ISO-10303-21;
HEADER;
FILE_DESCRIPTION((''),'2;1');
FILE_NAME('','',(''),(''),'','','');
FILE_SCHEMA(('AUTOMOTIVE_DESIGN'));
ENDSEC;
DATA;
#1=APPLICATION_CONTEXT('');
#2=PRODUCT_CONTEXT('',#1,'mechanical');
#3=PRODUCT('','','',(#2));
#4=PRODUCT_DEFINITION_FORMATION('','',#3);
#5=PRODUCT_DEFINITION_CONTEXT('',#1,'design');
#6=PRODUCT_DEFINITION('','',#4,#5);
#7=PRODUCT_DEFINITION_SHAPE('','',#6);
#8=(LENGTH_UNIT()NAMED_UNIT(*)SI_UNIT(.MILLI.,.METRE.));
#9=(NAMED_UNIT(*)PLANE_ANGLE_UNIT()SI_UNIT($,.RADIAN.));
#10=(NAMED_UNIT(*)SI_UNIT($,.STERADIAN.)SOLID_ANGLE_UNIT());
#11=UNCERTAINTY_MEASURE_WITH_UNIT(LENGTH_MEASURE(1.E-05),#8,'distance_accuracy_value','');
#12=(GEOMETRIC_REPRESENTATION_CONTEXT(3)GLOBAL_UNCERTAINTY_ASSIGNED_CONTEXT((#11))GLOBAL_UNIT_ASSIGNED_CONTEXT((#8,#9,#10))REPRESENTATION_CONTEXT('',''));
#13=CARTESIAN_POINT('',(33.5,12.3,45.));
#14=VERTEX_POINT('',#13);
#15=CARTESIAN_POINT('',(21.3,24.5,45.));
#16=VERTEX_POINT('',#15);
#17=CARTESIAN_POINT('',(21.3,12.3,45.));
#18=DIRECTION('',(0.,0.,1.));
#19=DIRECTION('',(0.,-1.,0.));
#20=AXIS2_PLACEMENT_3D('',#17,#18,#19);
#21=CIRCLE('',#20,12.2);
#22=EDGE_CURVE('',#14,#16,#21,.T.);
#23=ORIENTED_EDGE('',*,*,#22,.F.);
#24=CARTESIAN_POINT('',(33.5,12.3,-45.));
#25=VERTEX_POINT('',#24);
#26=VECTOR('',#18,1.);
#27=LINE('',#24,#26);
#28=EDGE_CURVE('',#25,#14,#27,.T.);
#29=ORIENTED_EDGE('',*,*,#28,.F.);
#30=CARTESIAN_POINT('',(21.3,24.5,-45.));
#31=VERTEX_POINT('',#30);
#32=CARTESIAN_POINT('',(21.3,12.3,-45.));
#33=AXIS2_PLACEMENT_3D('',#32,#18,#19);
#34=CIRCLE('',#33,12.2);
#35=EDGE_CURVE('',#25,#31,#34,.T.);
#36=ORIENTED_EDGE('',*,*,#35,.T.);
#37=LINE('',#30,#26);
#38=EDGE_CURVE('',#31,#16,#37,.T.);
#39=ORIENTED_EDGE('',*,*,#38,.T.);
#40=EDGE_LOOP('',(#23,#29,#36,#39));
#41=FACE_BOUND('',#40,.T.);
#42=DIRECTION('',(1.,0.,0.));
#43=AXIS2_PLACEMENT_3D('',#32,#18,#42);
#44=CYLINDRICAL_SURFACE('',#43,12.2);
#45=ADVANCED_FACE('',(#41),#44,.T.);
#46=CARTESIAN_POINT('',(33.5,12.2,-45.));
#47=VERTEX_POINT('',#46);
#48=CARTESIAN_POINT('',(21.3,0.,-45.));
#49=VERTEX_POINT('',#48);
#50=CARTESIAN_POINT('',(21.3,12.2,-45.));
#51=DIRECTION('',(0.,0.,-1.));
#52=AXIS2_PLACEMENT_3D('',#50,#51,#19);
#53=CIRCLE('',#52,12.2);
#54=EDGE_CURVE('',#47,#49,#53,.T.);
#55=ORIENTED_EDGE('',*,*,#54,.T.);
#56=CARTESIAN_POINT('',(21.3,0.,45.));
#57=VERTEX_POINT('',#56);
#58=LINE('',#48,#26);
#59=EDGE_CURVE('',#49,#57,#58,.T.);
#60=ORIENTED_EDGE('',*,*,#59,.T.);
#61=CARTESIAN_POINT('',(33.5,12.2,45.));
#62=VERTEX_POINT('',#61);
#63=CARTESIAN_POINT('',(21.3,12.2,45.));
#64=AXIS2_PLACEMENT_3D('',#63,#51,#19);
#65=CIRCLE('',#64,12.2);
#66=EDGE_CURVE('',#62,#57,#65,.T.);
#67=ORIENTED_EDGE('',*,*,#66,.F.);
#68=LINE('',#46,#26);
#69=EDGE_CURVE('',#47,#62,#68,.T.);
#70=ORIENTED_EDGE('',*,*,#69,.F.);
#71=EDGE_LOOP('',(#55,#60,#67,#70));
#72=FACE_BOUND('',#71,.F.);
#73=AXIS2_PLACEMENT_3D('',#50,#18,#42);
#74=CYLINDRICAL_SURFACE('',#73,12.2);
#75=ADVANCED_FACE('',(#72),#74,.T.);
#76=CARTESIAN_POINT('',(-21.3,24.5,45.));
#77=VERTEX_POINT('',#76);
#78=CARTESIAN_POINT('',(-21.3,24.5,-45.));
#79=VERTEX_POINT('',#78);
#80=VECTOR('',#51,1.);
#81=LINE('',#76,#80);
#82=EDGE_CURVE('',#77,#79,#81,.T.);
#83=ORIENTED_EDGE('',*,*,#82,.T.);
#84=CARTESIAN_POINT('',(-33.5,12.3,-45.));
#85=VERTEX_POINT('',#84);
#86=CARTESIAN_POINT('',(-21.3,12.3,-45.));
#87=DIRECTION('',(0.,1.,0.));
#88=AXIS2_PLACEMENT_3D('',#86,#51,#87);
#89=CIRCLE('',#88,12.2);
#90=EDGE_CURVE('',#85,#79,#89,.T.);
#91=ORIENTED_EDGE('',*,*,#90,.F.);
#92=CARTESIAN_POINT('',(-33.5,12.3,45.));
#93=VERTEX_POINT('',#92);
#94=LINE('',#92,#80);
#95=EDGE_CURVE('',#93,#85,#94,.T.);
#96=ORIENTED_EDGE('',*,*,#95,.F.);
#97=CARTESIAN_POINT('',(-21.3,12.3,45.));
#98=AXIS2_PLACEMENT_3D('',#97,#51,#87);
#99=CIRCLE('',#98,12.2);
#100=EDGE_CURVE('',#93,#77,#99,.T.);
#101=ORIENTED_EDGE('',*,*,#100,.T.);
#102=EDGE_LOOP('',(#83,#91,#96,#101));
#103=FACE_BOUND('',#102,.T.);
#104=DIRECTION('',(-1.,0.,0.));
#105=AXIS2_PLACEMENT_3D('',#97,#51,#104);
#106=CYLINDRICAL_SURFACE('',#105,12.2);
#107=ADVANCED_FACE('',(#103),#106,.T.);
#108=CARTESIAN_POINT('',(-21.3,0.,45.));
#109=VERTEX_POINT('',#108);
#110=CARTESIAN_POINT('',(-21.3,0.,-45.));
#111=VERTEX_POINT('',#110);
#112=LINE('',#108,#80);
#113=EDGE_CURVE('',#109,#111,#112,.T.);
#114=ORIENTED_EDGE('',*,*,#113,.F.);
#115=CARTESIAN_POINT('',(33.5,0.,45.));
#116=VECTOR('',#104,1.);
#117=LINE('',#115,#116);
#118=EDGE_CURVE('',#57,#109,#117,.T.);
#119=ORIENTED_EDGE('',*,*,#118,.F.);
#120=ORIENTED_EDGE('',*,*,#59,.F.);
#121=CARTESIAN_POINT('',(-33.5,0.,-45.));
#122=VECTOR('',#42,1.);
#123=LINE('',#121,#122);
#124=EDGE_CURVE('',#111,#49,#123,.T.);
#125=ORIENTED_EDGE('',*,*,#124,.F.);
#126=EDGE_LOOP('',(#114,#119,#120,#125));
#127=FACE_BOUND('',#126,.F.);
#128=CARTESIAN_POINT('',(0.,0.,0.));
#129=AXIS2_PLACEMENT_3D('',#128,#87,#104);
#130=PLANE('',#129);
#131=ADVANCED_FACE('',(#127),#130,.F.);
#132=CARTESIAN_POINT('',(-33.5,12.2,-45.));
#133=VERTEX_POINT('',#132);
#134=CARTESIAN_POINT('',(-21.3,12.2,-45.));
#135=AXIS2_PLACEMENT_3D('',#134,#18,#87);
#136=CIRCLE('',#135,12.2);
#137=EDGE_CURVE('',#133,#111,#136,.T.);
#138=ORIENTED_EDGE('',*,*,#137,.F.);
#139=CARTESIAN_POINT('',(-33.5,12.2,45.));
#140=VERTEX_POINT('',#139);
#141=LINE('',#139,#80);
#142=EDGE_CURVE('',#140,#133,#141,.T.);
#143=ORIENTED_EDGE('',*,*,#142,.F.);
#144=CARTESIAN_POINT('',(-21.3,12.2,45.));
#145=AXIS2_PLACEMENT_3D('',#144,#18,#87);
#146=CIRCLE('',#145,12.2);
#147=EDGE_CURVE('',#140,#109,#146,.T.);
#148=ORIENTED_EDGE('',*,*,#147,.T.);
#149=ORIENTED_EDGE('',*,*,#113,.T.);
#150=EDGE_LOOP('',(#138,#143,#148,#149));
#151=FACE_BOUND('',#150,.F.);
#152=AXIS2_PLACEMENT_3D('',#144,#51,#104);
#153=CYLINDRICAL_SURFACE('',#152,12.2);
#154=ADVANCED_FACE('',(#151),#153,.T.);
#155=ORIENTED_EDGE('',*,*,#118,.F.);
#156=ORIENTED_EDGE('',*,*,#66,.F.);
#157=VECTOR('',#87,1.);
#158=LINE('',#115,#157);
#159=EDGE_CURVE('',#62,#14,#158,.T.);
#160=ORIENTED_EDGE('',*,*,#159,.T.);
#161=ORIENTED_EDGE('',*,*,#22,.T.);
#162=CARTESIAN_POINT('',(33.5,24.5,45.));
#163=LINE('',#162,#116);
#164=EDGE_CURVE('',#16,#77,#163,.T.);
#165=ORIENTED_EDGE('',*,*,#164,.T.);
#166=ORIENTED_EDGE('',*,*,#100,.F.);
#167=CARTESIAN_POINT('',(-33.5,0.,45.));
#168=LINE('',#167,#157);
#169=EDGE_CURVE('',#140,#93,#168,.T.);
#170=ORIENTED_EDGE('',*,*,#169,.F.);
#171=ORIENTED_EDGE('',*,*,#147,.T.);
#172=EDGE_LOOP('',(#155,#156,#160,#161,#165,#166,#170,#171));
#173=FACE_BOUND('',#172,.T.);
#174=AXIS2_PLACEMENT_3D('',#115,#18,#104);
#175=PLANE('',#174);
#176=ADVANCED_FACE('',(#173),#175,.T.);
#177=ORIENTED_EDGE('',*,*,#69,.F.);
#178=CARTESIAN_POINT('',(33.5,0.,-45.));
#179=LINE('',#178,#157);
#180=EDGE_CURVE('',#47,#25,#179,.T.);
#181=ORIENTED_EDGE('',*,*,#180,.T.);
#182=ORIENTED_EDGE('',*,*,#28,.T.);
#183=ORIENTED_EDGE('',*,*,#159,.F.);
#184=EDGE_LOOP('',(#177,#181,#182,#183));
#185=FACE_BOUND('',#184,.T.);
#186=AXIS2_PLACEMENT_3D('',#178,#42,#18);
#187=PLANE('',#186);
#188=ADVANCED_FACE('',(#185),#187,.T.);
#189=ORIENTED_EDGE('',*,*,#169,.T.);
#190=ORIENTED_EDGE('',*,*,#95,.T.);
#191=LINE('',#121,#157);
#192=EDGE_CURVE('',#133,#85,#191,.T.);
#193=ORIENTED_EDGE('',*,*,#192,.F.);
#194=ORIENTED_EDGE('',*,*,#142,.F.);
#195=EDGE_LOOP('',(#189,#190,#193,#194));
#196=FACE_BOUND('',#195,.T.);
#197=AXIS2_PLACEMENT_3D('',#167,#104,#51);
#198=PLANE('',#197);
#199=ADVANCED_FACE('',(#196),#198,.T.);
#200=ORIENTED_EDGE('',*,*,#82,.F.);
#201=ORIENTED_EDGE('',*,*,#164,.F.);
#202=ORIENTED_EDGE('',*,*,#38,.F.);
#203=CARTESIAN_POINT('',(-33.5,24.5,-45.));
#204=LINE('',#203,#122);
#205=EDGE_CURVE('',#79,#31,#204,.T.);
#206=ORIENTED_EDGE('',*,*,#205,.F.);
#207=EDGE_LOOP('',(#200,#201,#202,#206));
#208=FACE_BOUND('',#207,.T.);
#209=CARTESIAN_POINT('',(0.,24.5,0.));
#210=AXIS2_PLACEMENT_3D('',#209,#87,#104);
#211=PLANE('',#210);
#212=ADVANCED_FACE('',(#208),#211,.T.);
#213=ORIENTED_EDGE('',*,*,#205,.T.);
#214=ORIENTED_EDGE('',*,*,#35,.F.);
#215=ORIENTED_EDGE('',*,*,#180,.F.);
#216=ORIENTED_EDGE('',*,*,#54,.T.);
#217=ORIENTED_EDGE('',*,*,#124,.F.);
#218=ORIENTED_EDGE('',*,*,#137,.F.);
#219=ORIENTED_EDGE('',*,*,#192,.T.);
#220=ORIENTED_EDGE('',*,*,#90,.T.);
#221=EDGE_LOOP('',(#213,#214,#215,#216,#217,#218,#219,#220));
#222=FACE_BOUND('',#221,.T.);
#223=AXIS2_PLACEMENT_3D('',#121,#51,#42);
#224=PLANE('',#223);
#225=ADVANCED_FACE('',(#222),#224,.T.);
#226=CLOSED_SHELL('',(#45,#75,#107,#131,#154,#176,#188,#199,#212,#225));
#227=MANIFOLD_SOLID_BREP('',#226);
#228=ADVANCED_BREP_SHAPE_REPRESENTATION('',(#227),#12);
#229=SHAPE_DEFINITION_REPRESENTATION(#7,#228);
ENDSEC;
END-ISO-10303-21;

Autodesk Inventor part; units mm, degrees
ref_plane "YZ Plane" through (0, 0, 0) normal (1, 0, 0) x (0, 1, 0)
ref_plane "XZ Plane" through (0, 0, 0) normal (0, 1, 0) x (-1, 0, 0)
ref_plane "XY Plane" through (0, 0, 0) normal (0, 0, 1) x (1, 0, 0)
sketch "Sketch1" plane through (0, 0, 0) normal (0, 1, 0) x (-1, 0, 0)
  line L0 (33.5, -45) -> (-33.5, -45)
  line L1 (-33.5, -45) -> (-33.5, 45)
  line L2 (-33.5, 45) -> (33.5, 45)
  line L3 (33.5, 45) -> (33.5, -45)
  line L4 (33.5, -45) -> (-33.5, 45) construction
  line L5 (-33.5, -45) -> (33.5, 45) construction
  point P0 (0, 0)
  dimension "d0" = 67
  dimension "d1" = 90
extrude "Extrusion1" add sketch "Sketch1" along normal blind 24.5
fillet "Fillet2" radius 12.2 4 edges at (33.5, 24.5, 0) (33.5, 0, 0) (-33.5, 24.5, 0) (-33.5, 0, 0)
properties part number "PI4_housing"
